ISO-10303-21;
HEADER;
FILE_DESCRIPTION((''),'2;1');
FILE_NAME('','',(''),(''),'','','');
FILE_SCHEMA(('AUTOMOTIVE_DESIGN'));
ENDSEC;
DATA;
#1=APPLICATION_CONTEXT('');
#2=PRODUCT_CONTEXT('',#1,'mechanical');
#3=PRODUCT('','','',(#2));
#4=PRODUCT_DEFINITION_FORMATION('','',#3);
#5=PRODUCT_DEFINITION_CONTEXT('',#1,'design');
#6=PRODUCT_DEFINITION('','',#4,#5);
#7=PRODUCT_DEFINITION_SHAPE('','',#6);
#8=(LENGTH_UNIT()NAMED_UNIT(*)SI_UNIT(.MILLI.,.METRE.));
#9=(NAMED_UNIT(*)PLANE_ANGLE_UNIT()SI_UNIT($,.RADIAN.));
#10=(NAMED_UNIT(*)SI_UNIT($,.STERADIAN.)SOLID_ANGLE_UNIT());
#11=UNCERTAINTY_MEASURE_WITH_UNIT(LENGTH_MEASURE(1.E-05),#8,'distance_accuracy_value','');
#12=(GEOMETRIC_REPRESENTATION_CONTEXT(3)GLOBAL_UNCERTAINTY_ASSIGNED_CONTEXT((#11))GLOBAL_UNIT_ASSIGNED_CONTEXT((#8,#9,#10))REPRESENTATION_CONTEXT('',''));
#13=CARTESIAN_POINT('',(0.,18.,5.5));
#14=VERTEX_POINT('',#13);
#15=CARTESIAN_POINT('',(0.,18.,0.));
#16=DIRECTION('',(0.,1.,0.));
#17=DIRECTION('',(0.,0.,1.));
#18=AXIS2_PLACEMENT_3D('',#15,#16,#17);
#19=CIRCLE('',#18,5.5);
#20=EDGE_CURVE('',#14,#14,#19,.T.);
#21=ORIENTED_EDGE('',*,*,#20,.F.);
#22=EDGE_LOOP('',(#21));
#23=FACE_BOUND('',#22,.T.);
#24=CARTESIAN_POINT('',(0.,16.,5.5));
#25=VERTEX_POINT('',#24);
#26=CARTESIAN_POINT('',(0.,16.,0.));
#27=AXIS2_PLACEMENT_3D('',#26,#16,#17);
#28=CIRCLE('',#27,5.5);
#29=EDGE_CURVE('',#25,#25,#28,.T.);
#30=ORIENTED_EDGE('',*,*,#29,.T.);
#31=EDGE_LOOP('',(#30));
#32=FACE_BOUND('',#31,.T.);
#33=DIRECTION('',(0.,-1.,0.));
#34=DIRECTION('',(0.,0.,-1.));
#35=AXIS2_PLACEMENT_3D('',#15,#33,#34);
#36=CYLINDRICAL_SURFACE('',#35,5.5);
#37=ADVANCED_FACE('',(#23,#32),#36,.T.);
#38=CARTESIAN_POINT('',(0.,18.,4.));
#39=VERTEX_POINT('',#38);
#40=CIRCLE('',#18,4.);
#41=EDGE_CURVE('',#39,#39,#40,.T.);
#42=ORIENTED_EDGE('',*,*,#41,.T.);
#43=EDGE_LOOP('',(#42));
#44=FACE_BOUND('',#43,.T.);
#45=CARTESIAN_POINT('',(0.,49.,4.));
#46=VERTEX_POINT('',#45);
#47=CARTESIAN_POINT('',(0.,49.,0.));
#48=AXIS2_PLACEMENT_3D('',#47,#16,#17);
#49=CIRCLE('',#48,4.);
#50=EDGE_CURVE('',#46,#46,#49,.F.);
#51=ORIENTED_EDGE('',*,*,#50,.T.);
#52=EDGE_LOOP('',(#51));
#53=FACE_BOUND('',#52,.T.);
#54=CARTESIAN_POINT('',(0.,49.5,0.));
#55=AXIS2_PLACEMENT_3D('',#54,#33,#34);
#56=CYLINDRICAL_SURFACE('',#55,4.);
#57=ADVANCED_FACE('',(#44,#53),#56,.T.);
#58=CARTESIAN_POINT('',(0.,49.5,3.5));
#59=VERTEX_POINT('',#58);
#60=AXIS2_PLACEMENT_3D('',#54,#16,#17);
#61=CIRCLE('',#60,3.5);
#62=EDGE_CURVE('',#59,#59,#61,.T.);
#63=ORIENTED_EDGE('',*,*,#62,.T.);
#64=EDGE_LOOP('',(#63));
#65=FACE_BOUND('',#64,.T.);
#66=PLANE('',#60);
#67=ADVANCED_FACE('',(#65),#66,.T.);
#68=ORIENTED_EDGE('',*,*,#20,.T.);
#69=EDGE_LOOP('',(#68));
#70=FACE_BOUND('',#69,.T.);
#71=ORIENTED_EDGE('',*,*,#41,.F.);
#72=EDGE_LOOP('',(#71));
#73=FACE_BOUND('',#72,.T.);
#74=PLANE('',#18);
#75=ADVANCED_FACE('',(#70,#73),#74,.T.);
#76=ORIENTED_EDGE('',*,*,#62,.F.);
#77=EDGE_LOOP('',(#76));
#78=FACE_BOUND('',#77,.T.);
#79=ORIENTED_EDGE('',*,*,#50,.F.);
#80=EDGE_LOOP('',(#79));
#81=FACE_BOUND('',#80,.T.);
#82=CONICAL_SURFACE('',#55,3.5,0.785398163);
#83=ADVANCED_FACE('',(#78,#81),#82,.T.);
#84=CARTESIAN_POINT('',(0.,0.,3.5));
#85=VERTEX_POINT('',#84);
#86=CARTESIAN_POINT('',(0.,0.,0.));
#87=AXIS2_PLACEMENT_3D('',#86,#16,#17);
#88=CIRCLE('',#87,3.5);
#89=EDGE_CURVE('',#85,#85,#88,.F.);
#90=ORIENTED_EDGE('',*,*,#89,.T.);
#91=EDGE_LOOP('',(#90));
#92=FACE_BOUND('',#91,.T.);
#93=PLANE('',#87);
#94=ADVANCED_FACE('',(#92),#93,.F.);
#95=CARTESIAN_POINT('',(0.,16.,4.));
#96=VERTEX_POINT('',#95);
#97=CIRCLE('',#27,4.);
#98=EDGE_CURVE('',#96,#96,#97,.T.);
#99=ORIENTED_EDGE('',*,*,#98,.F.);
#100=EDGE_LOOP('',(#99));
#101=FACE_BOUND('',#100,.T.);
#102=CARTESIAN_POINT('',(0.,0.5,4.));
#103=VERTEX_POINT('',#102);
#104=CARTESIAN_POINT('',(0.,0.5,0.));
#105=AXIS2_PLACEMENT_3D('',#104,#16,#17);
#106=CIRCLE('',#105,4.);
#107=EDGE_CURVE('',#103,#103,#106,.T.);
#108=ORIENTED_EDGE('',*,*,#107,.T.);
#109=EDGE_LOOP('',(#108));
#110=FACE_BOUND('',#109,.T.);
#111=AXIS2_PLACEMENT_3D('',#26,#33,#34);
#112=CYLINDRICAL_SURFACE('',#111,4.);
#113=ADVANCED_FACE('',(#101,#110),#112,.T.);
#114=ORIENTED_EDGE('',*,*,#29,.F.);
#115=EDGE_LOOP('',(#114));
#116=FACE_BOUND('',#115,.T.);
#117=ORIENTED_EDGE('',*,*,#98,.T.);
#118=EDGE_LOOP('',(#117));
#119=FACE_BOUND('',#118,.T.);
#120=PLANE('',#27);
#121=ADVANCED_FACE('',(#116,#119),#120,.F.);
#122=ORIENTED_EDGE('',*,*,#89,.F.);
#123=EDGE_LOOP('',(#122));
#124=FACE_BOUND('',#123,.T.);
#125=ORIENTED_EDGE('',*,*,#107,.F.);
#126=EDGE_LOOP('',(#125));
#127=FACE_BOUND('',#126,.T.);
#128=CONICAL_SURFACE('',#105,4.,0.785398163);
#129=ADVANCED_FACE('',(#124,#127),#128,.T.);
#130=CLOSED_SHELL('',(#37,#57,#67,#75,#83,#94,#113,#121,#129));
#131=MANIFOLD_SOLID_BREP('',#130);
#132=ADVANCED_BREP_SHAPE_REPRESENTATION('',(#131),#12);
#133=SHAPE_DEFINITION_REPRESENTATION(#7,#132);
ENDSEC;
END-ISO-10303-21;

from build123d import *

# Parameters (mm, degrees)
SKETCH1_R           = 4
BOSS_EXTRUDE1_DEPTH = 16
SKETCH2_R           = 5.5
BOSS_EXTRUDE2_DEPTH = 2
SKETCH3_R           = 4
BOSS_EXTRUDE3_DEPTH = 31.5
CHAMFER1_SIZE       = 0.5


with BuildPart() as part:
    # Sketch1 → Boss-Extrude1 (new body)
    with BuildSketch(Plane(origin=(0, 0, 0), x_dir=(1, 0, 0), z_dir=(0, 1, 0))):
        with Locations(Location((0, 0, 0), (0, 0, 270))):
            Circle(SKETCH1_R)
    extrude(amount=BOSS_EXTRUDE1_DEPTH)

    # Sketch2 → Boss-Extrude2 (add)
    with BuildSketch(Plane(origin=(0, 16, 0), x_dir=(1, 0, 0), z_dir=(0, 1, 0))):
        with Locations(Location((0, 0, 0), (0, 0, 270))):
            Circle(SKETCH2_R)
    extrude(amount=BOSS_EXTRUDE2_DEPTH)

    # Sketch3 → Boss-Extrude3 (add)
    with BuildSketch(Plane(origin=(0, 18, 0), x_dir=(1, 0, 0), z_dir=(0, 1, 0))):
        with Locations(Location((0, 0, 0), (0, 0, 270))):
            Circle(SKETCH3_R)
    extrude(amount=BOSS_EXTRUDE3_DEPTH)

    # Chamfer1
    chamfer1_edges = [part.edges().sort_by_distance(p)[0] for p in [
        (0, 49.5, -4),
        (0, 0, -4),
    ]]
    chamfer(chamfer1_edges, length=CHAMFER1_SIZE)


solid = part.part
